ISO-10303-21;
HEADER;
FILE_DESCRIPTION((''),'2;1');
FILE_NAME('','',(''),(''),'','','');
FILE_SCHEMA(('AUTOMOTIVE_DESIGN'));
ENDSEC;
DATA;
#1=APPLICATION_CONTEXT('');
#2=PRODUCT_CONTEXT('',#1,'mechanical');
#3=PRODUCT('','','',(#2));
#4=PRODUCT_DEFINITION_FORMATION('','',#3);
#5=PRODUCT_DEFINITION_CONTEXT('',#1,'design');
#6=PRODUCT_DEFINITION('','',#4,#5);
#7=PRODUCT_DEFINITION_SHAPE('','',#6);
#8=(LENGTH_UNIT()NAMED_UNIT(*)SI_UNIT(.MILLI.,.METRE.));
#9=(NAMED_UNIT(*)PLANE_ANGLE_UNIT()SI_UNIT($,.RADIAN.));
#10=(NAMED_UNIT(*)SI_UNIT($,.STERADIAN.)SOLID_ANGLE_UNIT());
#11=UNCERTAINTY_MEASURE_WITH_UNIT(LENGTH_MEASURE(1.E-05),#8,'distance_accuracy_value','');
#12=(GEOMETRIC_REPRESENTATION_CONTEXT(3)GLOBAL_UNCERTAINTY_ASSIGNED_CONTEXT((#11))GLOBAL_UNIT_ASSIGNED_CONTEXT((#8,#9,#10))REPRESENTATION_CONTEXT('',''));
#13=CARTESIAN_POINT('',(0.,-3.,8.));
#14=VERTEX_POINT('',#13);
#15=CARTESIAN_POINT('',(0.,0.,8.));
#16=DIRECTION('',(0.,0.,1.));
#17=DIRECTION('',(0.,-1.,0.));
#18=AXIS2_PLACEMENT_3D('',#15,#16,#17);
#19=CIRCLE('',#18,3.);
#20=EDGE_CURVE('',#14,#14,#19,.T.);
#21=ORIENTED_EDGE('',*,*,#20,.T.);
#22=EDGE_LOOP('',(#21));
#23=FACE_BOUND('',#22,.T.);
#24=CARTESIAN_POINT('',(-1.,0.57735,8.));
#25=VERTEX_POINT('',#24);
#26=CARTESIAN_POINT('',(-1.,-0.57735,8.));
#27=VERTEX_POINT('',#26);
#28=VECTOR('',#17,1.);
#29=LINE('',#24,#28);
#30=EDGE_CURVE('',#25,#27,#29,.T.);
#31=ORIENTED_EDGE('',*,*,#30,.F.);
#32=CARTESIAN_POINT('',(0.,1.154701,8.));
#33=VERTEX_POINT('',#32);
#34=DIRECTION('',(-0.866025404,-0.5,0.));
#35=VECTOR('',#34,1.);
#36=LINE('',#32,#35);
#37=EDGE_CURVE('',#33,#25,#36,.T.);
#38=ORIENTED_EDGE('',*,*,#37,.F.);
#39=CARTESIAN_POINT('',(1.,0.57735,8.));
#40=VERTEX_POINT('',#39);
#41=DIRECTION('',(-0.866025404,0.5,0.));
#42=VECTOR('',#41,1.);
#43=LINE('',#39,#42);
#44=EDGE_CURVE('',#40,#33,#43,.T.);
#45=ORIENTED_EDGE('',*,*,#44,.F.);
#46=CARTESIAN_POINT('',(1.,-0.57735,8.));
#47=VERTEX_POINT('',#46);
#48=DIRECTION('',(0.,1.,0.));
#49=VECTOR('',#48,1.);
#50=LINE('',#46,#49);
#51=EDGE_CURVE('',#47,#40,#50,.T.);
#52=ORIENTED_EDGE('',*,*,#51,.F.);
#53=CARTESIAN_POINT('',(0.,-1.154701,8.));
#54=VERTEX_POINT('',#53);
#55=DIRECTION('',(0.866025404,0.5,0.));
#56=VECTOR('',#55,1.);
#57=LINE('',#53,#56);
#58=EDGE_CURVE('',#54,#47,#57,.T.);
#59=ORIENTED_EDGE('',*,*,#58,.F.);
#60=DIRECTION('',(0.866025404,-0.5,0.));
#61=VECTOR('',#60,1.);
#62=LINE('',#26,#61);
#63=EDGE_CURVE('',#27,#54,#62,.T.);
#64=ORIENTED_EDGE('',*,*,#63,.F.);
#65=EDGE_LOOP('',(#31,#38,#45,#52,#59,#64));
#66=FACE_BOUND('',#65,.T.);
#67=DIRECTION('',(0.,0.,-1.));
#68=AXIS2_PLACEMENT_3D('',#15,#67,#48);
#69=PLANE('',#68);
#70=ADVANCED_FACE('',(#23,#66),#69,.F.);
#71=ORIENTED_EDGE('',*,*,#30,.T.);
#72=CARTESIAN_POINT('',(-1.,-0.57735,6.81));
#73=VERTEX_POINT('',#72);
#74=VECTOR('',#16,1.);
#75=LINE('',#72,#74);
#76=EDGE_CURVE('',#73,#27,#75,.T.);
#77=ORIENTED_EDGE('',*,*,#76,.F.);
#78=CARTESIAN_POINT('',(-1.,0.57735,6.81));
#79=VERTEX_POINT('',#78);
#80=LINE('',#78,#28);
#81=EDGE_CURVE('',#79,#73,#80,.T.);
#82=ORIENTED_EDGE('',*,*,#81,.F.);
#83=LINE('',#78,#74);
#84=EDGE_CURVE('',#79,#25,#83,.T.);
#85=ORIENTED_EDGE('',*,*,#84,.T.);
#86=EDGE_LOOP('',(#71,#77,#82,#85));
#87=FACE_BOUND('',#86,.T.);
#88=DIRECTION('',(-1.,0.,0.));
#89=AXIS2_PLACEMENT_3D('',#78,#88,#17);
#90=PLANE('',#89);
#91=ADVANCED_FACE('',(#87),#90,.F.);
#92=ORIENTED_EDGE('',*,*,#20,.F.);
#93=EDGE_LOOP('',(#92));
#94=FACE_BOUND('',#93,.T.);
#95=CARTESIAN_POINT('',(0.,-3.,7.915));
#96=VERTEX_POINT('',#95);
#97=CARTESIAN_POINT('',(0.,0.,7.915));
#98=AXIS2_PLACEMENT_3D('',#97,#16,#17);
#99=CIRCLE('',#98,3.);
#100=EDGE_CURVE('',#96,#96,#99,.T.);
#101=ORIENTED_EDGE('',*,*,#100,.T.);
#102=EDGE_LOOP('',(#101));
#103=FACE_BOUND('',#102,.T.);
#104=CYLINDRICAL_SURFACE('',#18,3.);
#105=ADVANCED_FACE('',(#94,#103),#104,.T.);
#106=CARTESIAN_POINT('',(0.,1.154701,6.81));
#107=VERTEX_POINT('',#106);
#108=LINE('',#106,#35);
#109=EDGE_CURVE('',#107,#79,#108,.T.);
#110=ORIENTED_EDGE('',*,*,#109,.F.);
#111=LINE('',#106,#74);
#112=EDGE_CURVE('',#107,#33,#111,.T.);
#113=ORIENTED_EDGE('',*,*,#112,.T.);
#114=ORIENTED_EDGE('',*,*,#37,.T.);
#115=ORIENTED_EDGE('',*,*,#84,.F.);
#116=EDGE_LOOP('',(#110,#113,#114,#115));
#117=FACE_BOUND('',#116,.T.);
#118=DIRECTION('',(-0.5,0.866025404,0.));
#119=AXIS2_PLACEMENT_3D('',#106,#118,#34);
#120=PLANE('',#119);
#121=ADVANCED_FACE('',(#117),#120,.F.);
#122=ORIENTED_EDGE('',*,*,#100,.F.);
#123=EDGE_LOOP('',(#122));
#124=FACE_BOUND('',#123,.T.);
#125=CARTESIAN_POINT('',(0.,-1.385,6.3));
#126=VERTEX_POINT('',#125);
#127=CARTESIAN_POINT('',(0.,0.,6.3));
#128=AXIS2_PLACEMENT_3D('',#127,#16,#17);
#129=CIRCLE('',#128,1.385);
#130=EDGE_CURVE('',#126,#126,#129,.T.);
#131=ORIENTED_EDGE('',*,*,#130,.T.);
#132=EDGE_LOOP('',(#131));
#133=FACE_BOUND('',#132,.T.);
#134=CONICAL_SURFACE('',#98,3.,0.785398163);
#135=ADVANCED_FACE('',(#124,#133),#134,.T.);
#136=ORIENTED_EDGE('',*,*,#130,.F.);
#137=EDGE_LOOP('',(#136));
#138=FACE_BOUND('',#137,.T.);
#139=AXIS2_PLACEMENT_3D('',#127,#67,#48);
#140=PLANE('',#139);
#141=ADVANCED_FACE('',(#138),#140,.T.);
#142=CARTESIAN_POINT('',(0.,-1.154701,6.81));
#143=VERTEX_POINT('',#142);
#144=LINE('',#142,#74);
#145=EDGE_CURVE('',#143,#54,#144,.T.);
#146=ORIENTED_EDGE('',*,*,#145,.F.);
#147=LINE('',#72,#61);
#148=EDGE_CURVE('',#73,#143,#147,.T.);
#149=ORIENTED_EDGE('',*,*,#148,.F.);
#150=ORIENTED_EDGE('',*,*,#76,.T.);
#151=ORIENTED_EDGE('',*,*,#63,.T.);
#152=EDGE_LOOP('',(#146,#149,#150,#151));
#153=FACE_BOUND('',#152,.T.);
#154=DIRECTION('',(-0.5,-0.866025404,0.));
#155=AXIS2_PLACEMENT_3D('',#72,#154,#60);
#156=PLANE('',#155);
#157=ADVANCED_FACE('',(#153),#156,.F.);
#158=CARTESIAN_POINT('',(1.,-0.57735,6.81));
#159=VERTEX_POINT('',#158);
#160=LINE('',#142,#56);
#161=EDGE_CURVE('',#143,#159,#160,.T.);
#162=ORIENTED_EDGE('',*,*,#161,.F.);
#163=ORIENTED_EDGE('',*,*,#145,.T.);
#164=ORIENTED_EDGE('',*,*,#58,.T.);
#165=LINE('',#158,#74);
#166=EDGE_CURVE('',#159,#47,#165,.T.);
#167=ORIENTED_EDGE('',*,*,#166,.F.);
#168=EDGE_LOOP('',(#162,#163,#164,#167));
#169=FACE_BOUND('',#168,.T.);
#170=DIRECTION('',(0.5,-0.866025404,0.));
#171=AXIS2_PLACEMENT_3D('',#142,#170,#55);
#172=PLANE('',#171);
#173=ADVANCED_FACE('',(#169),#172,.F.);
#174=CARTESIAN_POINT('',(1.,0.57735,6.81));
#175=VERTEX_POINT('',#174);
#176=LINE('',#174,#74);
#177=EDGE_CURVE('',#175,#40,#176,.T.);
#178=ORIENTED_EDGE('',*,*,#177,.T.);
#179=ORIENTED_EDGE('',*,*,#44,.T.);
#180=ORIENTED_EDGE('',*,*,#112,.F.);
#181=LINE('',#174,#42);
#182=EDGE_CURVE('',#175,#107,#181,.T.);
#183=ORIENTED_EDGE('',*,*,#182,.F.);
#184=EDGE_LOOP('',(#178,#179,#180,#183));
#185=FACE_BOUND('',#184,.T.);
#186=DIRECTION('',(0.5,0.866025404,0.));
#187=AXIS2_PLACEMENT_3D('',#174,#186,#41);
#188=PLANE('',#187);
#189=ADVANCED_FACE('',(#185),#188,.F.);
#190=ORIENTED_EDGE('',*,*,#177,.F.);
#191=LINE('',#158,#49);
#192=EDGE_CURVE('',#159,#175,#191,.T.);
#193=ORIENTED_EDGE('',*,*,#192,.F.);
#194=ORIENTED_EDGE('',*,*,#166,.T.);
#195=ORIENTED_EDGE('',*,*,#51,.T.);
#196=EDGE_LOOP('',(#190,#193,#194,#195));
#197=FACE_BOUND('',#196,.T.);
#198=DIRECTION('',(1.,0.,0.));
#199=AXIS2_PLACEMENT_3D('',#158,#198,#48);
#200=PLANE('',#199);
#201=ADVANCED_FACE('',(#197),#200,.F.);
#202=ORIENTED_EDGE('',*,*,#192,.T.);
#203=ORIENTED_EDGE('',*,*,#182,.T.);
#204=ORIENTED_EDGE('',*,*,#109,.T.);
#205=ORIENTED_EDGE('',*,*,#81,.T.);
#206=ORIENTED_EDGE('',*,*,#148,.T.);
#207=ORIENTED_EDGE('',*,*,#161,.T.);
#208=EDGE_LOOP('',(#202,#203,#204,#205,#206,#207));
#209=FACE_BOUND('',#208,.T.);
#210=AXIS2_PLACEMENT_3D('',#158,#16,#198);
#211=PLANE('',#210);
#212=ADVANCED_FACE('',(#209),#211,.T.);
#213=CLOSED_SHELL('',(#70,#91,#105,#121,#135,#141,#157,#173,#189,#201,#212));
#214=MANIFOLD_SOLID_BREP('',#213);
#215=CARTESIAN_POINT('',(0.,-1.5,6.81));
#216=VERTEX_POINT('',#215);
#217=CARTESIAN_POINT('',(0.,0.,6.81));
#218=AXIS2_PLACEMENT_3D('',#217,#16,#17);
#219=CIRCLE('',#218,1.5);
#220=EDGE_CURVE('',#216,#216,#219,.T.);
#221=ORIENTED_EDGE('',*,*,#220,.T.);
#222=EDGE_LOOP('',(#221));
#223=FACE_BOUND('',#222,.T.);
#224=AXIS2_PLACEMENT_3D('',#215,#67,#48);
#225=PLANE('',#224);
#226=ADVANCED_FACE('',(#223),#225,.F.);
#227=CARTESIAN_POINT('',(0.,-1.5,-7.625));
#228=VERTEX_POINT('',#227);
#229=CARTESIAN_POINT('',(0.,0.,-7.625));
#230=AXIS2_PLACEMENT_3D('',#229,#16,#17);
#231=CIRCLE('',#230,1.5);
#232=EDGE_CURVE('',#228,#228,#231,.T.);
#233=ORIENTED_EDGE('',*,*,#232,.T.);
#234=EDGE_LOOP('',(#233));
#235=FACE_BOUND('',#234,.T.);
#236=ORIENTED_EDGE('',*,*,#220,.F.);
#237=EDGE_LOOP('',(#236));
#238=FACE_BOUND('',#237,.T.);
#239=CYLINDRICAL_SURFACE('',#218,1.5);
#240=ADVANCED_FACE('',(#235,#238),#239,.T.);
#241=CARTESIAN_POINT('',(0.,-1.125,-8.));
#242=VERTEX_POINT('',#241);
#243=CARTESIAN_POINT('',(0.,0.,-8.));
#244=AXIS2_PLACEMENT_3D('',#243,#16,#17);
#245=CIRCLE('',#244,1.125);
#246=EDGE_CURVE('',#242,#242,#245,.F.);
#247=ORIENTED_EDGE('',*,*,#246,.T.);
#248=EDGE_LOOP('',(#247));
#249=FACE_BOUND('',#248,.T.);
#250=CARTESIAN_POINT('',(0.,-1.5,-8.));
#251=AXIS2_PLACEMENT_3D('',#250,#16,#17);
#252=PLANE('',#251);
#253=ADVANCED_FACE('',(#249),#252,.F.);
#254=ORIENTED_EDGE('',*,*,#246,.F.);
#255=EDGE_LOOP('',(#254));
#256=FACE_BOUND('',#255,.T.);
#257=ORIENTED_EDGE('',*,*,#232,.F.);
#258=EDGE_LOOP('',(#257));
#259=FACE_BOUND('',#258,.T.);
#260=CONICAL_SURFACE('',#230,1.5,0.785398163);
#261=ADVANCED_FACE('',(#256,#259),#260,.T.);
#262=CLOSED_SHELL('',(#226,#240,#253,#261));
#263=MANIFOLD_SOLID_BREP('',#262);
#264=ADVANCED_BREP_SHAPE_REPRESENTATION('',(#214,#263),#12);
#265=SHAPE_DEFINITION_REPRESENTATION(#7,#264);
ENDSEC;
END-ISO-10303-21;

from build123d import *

# Parameters (mm, degrees)
CHAMFER1_SIZE      = 0.375
CUT_EXTRUDE2_DEPTH = 1.19


with BuildPart() as part:
    # Sketch1 → Revolve1 (revolve)
    with BuildSketch(Plane(origin=(0, 0, 0), x_dir=(0, 0, -1), z_dir=(1, 0, 0))):
        Polygon((-6.3, 1.5), (8, 1.5), (8, 0), (-6.81, 0), (-6.81, 1.5), align=None)
    revolve(axis=Axis((0, 0, 6.81), (0, 0, -1)))

    # Chamfer1
    chamfer1_edges = [part.edges().sort_by_distance(p)[0] for p in [
        (0, -1.5, -8),
    ]]
    chamfer(chamfer1_edges, length=CHAMFER1_SIZE)


with BuildPart() as body_2:
    # Sketch7 → Revolve2 (revolve)
    with BuildSketch(Plane(origin=(0, 0, 0), x_dir=(0, 0, -1), z_dir=(1, 0, 0))):
        Polygon((-7.915, 3), (-8, 3), (-8, 0), (-6.3, 0), (-6.3, 1.385), align=None)
    revolve(axis=Axis((0, 0, 8), (0, 0, -1)))

    # Sketch5 → Cut-Extrude2 (cut)
    with BuildSketch(Plane.XY.offset(8)):
        Polygon((1, -0.577350269), (1, 0.577350269), (0, 1.154700538), (-1, 0.577350269), (-1, -0.577350269), (0, -1.154700538), align=None)
    extrude(amount=-CUT_EXTRUDE2_DEPTH, mode=Mode.SUBTRACT)


solid = Compound([part.part, body_2.part])
